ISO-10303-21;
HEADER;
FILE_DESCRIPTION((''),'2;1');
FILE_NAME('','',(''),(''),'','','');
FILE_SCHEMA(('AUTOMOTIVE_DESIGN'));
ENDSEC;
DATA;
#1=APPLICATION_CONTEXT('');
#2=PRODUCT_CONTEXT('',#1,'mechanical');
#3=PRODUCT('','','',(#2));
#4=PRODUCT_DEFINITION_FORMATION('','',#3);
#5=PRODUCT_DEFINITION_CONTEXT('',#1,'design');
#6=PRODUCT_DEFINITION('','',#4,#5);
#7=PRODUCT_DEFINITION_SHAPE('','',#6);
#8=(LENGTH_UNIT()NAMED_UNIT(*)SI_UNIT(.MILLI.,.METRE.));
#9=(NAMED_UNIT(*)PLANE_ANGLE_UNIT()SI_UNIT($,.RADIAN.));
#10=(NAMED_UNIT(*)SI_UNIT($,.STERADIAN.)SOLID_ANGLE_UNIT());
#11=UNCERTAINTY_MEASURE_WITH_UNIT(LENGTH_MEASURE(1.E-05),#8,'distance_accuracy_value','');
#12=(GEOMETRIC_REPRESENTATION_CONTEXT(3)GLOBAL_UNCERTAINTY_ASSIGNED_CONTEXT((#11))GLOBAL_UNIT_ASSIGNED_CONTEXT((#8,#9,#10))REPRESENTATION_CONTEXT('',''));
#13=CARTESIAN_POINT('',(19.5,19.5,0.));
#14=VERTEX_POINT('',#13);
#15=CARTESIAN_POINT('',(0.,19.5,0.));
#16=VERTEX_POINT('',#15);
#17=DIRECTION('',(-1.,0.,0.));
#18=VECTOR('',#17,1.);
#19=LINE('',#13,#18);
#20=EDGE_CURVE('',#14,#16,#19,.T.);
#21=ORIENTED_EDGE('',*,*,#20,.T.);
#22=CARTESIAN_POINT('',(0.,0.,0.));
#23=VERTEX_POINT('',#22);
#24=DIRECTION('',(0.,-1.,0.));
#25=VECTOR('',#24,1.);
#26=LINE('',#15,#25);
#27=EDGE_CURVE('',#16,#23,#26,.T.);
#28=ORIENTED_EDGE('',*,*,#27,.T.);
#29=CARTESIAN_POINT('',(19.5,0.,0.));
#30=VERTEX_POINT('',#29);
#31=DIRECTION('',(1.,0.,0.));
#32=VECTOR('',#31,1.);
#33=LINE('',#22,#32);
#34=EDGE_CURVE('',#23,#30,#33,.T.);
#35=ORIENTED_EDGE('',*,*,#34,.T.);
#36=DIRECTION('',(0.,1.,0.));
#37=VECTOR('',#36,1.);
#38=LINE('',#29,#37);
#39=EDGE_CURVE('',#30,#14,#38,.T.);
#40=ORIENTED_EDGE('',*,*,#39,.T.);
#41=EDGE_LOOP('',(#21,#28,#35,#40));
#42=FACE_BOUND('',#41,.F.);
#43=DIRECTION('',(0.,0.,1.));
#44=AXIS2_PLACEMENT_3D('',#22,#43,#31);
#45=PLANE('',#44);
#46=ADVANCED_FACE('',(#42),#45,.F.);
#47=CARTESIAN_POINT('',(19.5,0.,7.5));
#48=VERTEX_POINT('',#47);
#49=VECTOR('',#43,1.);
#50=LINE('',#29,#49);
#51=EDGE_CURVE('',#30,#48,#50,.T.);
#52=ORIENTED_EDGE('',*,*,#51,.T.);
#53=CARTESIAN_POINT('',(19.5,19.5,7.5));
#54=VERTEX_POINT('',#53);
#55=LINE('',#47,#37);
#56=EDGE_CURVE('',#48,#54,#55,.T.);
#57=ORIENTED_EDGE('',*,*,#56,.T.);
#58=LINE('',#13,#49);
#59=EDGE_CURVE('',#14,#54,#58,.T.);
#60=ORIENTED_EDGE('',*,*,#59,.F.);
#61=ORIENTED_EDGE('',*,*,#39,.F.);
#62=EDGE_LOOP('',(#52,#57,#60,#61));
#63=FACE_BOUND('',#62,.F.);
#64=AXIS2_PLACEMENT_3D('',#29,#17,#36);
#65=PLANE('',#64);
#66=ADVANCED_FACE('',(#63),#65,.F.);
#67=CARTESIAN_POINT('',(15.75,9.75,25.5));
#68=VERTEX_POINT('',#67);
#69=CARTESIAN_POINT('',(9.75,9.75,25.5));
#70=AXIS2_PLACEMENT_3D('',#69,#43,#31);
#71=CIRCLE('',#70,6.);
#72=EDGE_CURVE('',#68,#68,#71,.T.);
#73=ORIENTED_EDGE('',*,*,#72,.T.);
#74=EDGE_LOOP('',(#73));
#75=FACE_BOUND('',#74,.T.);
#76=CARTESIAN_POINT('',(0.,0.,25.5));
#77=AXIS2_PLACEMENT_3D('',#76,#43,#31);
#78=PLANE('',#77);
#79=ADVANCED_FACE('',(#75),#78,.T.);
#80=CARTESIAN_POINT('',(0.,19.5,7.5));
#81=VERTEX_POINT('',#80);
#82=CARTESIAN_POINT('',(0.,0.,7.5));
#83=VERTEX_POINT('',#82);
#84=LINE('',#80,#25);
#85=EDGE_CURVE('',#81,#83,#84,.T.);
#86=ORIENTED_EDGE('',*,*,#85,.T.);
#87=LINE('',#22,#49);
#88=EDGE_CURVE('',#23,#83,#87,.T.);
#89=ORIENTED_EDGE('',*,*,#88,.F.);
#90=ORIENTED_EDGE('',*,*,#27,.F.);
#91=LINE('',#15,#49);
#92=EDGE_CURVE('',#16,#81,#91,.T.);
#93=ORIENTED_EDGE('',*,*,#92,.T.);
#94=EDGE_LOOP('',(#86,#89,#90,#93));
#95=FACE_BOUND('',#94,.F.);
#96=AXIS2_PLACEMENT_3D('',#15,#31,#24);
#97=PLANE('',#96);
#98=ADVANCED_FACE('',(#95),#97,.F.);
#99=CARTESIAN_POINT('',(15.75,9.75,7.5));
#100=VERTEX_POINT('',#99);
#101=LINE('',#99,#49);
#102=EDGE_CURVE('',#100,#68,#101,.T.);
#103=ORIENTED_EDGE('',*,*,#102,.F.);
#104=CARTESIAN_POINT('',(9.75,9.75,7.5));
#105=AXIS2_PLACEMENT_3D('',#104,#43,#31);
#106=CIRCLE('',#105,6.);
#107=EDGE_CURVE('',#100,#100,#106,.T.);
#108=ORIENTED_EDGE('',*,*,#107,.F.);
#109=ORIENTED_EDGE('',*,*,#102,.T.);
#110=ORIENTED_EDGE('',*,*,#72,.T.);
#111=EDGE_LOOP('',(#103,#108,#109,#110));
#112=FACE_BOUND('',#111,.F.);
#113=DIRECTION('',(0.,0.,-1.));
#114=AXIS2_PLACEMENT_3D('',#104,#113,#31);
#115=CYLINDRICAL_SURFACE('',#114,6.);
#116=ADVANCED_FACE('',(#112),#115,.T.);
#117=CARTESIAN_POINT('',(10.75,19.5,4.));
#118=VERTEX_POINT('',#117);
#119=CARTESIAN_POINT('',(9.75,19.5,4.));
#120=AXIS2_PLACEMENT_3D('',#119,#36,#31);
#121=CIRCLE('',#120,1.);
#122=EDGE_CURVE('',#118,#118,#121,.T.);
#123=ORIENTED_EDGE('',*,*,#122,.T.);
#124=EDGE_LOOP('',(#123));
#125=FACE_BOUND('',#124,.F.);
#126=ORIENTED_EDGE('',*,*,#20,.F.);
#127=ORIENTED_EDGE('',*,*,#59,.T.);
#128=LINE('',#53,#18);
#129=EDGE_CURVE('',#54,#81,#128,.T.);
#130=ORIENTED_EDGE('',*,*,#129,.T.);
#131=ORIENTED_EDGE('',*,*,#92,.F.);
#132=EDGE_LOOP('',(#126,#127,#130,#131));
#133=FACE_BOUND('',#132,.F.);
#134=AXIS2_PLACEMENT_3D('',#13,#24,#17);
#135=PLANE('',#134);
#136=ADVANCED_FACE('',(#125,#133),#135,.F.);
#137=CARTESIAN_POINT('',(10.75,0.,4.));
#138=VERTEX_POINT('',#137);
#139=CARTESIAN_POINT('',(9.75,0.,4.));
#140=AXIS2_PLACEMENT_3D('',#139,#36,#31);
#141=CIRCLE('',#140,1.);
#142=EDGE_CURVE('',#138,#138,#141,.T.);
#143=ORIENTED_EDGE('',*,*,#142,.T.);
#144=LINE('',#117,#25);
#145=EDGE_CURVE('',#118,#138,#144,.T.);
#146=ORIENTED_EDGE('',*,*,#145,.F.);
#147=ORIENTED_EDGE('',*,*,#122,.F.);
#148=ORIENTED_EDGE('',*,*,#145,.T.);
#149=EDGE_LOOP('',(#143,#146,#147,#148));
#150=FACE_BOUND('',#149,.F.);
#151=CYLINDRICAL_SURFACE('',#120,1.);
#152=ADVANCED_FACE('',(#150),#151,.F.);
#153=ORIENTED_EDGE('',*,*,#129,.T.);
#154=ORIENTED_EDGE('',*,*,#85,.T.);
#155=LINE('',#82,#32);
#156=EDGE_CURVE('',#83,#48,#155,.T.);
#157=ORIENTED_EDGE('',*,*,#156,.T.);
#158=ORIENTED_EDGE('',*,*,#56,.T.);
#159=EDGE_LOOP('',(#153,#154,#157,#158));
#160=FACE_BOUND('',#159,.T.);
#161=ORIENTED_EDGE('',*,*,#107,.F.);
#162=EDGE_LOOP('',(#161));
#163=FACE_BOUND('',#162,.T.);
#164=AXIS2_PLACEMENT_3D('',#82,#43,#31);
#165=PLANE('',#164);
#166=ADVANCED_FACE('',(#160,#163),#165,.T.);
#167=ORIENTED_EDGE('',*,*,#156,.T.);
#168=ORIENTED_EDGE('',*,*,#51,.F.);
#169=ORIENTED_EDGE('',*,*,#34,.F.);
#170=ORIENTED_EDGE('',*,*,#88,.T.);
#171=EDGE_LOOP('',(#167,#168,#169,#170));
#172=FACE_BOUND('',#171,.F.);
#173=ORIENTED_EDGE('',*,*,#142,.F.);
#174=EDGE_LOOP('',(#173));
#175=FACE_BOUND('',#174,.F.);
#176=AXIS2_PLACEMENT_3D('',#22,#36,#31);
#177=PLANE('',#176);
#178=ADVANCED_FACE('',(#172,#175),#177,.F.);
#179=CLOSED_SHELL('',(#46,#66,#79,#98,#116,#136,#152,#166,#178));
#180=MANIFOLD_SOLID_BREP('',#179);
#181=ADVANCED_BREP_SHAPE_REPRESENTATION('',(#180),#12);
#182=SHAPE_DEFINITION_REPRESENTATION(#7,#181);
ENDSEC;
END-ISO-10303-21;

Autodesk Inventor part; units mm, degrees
ref_plane "YZ Plane" through (0, 0, 0) normal (1, 0, 0) x (0, 1, 0)
ref_plane "XZ Plane" through (0, 0, 0) normal (0, 1, 0) x (-1, 0, 0)
ref_plane "XY Plane" through (0, 0, 0) normal (0, 0, 1) x (1, 0, 0)
sketch "Sketch1" plane through (0, 0, 0) normal (0, 0, 1) x (1, 0, 0)
  line L0 (0, 0) -> (19.5, 0)
  line L1 (19.5, 0) -> (19.5, 19.5)
  line L2 (19.5, 19.5) -> (0, 19.5)
  line L3 (0, 19.5) -> (0, 0)
  dimension "d0" = 19.5
  dimension "d1" = 19.5
extrude "Extrusion1" add sketch "Sketch1" along normal blind 7.5
sketch "Sketch6" plane through (0, 0, 7.5) normal (0, 0, 1) x (1, 0, 0)
  line L0 (19.5, 0) -> (19.5, 19.5) construction
  line L1 (19.5, 9.75) -> (0, 9.75) construction
  line L2 (0, 19.5) -> (0, 0) construction
  circle A0 centre (9.75, 9.75) radius 6
  dimension "d14" = 12
sketch "Sketch7" plane through (0, 0, 0) normal (-1, 0, 0) x (0, 0, 1)
  line L0 (0, 19.5) -> (0, 0) projected
  line L1 (0, 0) -> (7.5, 0) projected
  line L2 (7.5, 19.5) -> (7.5, 0) projected
  line L3 (0, 19.5) -> (7.5, 19.5) projected
  dimension "d15" = 7.5
extrude "Extrusion4" add sketch "Sketch6" along normal blind 18
sketch "Sketch8" plane through (0, 19.5, 0) normal (0, 1, 0) x (1, 0, 0)
  line L0 (19.5, 0) -> (0, 0) projected
  line L1 (0, 0) -> (19.5, 0) construction
  line L2 (9.75, 0) -> (9.75, -5) construction
  line L3 (9.75, -5) -> (11.9374, -5) construction
  circle A0 centre (9.75, -4) radius 1
  dimension "d18" = 5
  dimension "d19" = 2
extrude "Extrusion5" cut sketch "Sketch8" against normal up to surface (19.5 mm away)
properties part number "HDzero runcam with micro spacer"
